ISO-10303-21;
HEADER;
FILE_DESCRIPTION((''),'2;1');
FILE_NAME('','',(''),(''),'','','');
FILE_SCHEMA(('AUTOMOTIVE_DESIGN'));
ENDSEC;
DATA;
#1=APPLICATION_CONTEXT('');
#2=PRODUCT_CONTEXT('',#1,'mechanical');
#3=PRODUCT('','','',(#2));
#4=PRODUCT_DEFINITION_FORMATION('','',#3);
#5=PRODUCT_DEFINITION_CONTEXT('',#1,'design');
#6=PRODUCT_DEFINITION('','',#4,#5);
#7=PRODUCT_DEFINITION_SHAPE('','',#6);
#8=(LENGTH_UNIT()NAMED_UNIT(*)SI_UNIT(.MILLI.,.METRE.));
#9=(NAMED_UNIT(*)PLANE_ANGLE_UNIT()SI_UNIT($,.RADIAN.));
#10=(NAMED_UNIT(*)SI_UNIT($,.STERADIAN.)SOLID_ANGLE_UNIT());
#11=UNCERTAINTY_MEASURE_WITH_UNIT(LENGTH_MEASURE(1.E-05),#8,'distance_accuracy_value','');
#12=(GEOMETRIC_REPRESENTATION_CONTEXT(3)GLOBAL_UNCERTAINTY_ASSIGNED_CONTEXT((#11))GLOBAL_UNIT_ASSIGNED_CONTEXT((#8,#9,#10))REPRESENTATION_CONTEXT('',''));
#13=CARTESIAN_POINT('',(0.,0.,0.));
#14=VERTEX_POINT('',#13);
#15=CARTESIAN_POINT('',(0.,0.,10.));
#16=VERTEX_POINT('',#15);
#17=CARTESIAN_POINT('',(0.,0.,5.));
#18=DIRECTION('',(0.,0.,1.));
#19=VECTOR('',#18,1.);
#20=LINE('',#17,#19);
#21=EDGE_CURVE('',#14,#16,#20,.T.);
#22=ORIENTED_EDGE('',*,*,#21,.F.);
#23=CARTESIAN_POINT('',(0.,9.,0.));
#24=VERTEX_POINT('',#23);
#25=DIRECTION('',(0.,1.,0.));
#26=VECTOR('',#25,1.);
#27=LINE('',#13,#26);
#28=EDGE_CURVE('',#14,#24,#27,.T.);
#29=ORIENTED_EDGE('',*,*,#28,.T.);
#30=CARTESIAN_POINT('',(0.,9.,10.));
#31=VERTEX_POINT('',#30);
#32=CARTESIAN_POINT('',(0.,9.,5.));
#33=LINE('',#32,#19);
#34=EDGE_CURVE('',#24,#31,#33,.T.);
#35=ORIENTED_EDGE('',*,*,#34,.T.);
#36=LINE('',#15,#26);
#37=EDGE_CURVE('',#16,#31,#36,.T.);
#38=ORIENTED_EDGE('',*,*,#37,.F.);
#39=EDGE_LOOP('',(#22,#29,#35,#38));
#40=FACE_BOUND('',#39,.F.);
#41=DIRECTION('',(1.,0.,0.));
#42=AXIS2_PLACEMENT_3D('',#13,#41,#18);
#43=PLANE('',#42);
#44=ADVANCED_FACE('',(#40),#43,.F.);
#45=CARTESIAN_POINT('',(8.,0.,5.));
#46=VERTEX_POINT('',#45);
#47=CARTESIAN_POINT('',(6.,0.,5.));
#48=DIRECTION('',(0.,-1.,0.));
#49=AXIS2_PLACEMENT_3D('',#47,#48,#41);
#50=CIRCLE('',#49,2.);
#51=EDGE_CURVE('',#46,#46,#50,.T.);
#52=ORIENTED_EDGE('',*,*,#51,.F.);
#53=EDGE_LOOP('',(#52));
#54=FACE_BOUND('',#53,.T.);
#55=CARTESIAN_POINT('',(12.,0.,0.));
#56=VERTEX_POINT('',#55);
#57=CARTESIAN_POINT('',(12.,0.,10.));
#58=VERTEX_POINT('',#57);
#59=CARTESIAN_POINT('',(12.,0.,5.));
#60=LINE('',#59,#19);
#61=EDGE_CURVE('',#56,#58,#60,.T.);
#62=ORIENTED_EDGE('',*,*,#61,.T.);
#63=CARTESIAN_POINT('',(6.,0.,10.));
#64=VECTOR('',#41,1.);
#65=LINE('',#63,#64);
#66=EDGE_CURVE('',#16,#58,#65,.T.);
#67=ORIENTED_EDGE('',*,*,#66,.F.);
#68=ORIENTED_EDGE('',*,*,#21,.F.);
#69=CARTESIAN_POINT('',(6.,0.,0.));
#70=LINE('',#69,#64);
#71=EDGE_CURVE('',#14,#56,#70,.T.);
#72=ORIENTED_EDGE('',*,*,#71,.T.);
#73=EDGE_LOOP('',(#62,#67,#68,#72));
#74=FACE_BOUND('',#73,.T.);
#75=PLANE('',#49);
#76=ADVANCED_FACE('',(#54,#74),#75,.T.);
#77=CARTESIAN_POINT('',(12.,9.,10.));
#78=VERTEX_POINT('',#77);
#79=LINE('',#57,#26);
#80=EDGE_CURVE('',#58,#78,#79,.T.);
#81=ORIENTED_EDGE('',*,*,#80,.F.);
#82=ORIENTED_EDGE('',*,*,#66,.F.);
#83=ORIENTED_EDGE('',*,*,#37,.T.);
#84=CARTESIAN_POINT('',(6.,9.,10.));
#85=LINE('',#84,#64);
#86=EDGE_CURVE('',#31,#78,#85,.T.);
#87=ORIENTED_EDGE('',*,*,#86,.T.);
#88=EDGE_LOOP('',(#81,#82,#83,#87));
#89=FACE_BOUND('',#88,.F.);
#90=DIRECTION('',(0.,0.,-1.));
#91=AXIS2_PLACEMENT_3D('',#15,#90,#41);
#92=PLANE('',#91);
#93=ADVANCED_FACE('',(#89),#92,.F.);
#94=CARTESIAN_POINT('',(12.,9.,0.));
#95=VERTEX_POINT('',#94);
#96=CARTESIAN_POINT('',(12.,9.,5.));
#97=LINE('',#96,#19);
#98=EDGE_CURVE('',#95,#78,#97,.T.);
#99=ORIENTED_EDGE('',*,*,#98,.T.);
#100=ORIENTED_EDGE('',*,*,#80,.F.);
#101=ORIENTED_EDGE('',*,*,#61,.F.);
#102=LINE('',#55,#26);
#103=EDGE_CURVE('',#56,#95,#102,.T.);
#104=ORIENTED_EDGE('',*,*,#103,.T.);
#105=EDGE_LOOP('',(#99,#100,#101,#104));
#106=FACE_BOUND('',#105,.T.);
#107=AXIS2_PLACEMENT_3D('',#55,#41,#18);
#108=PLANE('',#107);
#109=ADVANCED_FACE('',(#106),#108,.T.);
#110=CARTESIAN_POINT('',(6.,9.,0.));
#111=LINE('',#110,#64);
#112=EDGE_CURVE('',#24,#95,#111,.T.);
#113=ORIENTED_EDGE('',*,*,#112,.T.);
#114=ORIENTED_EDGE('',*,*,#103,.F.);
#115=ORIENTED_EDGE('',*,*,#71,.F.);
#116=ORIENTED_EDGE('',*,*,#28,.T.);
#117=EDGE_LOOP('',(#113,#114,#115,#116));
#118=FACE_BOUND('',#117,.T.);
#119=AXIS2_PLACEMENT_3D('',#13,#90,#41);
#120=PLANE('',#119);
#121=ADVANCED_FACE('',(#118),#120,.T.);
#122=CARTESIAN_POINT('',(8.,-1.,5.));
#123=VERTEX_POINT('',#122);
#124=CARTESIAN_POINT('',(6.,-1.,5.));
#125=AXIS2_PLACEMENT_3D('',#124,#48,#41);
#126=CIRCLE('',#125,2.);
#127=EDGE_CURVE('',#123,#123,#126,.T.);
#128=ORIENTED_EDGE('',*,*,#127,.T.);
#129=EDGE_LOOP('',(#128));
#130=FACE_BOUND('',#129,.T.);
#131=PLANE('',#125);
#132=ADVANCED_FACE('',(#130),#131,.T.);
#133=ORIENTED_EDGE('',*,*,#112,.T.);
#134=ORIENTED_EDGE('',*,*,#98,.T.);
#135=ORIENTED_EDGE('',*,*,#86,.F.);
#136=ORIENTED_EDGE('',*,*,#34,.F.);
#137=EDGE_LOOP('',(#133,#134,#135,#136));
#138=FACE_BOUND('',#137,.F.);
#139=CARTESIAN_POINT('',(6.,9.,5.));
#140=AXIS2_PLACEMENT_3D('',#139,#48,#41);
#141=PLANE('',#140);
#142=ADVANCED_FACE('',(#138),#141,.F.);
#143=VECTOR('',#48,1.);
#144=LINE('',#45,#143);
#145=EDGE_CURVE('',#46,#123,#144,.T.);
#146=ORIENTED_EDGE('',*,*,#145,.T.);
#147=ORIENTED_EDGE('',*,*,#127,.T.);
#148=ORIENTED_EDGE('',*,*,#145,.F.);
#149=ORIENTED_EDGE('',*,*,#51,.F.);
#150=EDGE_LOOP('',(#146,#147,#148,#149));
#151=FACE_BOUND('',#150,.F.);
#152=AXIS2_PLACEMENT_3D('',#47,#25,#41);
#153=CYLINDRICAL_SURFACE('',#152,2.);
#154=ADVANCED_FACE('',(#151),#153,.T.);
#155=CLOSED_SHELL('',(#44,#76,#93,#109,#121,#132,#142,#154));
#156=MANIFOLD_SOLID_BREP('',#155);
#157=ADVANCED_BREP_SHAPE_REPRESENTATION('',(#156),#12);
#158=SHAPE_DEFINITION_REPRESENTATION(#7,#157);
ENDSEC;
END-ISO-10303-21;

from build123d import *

# Parameters (mm, degrees)
F0_W     = 12
F0_H     = 10
F0_R     = 2
F1_DEPTH = 9
F2_DEPTH = 1


with BuildPart() as f1:
    # F0 (on Front) → F1 (new body)
    with BuildSketch(Plane.XZ):
        with Locations((6, 5)):
            Rectangle(F0_W, F0_H)
        with Locations((6, 5)):
            Circle(F0_R, mode=Mode.SUBTRACT)
        with Locations((6, 5)):
            Circle(F0_R)
    extrude(amount=-F1_DEPTH)

    # F0 (on Front) → F2 (join)
    with BuildSketch(Plane.XZ):
        with Locations((6, 5)):
            Circle(F0_R)
    extrude(amount=F2_DEPTH)


solid = f1.part
